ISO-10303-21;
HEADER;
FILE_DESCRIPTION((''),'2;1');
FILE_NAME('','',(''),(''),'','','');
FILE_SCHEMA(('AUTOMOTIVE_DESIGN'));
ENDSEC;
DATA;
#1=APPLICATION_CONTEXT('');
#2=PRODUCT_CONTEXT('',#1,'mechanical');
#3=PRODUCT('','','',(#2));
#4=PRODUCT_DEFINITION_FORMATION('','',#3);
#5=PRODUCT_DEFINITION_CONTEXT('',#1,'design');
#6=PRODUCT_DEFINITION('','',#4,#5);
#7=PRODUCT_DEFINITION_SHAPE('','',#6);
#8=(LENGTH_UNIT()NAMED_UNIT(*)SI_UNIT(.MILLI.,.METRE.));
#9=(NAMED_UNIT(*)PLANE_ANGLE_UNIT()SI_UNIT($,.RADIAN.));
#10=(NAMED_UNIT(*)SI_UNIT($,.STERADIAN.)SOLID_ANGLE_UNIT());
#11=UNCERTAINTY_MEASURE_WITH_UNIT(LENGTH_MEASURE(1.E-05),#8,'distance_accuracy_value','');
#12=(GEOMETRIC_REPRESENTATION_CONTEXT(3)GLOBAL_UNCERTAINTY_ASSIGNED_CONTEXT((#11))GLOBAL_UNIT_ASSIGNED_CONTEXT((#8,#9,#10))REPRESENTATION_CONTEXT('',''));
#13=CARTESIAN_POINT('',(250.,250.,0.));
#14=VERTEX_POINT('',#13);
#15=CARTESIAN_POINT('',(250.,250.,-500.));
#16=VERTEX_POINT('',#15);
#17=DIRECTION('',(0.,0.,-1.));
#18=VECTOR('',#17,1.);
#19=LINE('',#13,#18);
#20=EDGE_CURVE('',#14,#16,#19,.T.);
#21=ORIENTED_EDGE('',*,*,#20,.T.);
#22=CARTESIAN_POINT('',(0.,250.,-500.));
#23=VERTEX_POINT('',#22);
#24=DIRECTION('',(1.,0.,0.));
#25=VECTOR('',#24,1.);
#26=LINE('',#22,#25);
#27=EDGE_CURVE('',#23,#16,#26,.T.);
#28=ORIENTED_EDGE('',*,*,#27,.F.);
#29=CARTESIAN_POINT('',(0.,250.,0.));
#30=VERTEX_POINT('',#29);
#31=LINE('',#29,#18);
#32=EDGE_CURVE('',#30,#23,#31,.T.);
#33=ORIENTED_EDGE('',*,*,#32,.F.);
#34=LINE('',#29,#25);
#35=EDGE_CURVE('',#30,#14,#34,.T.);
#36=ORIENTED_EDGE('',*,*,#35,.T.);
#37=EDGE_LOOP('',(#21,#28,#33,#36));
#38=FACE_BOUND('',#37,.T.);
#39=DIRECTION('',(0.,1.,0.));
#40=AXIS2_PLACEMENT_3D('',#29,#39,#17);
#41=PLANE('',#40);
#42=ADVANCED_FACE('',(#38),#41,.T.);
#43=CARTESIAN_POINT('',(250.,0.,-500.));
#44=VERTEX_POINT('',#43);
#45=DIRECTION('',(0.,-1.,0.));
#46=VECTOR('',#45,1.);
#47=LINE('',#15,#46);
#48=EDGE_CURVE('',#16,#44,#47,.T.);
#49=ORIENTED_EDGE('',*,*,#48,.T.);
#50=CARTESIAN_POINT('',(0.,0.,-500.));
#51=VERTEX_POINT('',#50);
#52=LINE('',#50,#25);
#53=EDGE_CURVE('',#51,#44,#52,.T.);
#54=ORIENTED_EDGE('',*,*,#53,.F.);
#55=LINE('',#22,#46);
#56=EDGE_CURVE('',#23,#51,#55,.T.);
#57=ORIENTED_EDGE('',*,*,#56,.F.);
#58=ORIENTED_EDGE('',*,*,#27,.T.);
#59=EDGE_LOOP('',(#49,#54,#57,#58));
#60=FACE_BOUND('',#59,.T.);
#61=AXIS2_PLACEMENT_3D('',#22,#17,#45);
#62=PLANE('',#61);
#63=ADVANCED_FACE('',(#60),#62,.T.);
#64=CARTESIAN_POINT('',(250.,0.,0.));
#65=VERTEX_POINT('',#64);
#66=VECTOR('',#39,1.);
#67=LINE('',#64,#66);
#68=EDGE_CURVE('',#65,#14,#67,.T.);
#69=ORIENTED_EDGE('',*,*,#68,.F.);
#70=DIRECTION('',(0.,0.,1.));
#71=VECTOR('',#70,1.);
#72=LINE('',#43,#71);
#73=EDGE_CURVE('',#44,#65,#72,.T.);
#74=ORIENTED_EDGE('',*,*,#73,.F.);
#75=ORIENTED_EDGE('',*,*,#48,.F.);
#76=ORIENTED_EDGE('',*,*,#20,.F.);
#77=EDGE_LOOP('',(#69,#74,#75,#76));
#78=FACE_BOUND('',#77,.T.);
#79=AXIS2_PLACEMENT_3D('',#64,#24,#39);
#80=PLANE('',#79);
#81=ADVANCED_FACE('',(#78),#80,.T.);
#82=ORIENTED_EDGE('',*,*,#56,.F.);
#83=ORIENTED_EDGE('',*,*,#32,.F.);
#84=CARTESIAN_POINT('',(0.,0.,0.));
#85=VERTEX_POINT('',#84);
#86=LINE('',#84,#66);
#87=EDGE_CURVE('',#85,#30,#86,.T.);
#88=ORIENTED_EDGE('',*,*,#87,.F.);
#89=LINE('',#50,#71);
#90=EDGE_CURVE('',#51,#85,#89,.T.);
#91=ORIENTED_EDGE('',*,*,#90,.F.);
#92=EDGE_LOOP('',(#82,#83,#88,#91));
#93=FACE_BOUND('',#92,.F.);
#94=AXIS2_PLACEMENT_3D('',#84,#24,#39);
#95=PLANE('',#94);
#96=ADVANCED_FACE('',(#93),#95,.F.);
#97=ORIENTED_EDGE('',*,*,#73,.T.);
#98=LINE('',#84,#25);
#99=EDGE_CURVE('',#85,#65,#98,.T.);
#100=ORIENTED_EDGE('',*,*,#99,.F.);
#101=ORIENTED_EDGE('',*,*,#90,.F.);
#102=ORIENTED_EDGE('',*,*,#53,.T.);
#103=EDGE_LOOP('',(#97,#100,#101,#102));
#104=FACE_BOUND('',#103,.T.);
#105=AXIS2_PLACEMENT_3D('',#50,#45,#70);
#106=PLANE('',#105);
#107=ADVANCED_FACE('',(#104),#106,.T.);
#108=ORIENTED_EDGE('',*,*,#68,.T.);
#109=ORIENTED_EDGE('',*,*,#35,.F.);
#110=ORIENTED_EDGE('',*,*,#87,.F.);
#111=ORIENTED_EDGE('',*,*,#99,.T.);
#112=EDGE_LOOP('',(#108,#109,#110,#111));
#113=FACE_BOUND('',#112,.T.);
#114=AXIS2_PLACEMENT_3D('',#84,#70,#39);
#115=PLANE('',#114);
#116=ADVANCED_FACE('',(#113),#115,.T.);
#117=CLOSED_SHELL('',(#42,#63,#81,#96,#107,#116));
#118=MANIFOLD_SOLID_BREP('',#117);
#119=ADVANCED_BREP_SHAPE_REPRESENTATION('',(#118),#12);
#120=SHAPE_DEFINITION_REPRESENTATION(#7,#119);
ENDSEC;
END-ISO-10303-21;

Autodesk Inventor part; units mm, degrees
ref_plane "YZ Plane" through (0, 0, 0) normal (1, 0, 0) x (0, 1, 0)
ref_plane "XZ Plane" through (0, 0, 0) normal (0, 1, 0) x (-1, 0, 0)
ref_plane "XY Plane" through (0, 0, 0) normal (0, 0, 1) x (1, 0, 0)
sketch "Sketch1" plane through (0, 0, 0) normal (1, 0, 0) x (0, 1, 0)
  line L0 (0, 0) -> (250, 0)
  line L1 (250, 0) -> (250, -500)
  line L2 (250, -500) -> (0, -500)
  line L3 (0, -500) -> (0, 0)
  dimension "d0" = 250
  dimension "d1" = 500
extrude "Extrusion1" add sketch "Sketch1" along normal blind 250
properties part number "1x2 beam"
